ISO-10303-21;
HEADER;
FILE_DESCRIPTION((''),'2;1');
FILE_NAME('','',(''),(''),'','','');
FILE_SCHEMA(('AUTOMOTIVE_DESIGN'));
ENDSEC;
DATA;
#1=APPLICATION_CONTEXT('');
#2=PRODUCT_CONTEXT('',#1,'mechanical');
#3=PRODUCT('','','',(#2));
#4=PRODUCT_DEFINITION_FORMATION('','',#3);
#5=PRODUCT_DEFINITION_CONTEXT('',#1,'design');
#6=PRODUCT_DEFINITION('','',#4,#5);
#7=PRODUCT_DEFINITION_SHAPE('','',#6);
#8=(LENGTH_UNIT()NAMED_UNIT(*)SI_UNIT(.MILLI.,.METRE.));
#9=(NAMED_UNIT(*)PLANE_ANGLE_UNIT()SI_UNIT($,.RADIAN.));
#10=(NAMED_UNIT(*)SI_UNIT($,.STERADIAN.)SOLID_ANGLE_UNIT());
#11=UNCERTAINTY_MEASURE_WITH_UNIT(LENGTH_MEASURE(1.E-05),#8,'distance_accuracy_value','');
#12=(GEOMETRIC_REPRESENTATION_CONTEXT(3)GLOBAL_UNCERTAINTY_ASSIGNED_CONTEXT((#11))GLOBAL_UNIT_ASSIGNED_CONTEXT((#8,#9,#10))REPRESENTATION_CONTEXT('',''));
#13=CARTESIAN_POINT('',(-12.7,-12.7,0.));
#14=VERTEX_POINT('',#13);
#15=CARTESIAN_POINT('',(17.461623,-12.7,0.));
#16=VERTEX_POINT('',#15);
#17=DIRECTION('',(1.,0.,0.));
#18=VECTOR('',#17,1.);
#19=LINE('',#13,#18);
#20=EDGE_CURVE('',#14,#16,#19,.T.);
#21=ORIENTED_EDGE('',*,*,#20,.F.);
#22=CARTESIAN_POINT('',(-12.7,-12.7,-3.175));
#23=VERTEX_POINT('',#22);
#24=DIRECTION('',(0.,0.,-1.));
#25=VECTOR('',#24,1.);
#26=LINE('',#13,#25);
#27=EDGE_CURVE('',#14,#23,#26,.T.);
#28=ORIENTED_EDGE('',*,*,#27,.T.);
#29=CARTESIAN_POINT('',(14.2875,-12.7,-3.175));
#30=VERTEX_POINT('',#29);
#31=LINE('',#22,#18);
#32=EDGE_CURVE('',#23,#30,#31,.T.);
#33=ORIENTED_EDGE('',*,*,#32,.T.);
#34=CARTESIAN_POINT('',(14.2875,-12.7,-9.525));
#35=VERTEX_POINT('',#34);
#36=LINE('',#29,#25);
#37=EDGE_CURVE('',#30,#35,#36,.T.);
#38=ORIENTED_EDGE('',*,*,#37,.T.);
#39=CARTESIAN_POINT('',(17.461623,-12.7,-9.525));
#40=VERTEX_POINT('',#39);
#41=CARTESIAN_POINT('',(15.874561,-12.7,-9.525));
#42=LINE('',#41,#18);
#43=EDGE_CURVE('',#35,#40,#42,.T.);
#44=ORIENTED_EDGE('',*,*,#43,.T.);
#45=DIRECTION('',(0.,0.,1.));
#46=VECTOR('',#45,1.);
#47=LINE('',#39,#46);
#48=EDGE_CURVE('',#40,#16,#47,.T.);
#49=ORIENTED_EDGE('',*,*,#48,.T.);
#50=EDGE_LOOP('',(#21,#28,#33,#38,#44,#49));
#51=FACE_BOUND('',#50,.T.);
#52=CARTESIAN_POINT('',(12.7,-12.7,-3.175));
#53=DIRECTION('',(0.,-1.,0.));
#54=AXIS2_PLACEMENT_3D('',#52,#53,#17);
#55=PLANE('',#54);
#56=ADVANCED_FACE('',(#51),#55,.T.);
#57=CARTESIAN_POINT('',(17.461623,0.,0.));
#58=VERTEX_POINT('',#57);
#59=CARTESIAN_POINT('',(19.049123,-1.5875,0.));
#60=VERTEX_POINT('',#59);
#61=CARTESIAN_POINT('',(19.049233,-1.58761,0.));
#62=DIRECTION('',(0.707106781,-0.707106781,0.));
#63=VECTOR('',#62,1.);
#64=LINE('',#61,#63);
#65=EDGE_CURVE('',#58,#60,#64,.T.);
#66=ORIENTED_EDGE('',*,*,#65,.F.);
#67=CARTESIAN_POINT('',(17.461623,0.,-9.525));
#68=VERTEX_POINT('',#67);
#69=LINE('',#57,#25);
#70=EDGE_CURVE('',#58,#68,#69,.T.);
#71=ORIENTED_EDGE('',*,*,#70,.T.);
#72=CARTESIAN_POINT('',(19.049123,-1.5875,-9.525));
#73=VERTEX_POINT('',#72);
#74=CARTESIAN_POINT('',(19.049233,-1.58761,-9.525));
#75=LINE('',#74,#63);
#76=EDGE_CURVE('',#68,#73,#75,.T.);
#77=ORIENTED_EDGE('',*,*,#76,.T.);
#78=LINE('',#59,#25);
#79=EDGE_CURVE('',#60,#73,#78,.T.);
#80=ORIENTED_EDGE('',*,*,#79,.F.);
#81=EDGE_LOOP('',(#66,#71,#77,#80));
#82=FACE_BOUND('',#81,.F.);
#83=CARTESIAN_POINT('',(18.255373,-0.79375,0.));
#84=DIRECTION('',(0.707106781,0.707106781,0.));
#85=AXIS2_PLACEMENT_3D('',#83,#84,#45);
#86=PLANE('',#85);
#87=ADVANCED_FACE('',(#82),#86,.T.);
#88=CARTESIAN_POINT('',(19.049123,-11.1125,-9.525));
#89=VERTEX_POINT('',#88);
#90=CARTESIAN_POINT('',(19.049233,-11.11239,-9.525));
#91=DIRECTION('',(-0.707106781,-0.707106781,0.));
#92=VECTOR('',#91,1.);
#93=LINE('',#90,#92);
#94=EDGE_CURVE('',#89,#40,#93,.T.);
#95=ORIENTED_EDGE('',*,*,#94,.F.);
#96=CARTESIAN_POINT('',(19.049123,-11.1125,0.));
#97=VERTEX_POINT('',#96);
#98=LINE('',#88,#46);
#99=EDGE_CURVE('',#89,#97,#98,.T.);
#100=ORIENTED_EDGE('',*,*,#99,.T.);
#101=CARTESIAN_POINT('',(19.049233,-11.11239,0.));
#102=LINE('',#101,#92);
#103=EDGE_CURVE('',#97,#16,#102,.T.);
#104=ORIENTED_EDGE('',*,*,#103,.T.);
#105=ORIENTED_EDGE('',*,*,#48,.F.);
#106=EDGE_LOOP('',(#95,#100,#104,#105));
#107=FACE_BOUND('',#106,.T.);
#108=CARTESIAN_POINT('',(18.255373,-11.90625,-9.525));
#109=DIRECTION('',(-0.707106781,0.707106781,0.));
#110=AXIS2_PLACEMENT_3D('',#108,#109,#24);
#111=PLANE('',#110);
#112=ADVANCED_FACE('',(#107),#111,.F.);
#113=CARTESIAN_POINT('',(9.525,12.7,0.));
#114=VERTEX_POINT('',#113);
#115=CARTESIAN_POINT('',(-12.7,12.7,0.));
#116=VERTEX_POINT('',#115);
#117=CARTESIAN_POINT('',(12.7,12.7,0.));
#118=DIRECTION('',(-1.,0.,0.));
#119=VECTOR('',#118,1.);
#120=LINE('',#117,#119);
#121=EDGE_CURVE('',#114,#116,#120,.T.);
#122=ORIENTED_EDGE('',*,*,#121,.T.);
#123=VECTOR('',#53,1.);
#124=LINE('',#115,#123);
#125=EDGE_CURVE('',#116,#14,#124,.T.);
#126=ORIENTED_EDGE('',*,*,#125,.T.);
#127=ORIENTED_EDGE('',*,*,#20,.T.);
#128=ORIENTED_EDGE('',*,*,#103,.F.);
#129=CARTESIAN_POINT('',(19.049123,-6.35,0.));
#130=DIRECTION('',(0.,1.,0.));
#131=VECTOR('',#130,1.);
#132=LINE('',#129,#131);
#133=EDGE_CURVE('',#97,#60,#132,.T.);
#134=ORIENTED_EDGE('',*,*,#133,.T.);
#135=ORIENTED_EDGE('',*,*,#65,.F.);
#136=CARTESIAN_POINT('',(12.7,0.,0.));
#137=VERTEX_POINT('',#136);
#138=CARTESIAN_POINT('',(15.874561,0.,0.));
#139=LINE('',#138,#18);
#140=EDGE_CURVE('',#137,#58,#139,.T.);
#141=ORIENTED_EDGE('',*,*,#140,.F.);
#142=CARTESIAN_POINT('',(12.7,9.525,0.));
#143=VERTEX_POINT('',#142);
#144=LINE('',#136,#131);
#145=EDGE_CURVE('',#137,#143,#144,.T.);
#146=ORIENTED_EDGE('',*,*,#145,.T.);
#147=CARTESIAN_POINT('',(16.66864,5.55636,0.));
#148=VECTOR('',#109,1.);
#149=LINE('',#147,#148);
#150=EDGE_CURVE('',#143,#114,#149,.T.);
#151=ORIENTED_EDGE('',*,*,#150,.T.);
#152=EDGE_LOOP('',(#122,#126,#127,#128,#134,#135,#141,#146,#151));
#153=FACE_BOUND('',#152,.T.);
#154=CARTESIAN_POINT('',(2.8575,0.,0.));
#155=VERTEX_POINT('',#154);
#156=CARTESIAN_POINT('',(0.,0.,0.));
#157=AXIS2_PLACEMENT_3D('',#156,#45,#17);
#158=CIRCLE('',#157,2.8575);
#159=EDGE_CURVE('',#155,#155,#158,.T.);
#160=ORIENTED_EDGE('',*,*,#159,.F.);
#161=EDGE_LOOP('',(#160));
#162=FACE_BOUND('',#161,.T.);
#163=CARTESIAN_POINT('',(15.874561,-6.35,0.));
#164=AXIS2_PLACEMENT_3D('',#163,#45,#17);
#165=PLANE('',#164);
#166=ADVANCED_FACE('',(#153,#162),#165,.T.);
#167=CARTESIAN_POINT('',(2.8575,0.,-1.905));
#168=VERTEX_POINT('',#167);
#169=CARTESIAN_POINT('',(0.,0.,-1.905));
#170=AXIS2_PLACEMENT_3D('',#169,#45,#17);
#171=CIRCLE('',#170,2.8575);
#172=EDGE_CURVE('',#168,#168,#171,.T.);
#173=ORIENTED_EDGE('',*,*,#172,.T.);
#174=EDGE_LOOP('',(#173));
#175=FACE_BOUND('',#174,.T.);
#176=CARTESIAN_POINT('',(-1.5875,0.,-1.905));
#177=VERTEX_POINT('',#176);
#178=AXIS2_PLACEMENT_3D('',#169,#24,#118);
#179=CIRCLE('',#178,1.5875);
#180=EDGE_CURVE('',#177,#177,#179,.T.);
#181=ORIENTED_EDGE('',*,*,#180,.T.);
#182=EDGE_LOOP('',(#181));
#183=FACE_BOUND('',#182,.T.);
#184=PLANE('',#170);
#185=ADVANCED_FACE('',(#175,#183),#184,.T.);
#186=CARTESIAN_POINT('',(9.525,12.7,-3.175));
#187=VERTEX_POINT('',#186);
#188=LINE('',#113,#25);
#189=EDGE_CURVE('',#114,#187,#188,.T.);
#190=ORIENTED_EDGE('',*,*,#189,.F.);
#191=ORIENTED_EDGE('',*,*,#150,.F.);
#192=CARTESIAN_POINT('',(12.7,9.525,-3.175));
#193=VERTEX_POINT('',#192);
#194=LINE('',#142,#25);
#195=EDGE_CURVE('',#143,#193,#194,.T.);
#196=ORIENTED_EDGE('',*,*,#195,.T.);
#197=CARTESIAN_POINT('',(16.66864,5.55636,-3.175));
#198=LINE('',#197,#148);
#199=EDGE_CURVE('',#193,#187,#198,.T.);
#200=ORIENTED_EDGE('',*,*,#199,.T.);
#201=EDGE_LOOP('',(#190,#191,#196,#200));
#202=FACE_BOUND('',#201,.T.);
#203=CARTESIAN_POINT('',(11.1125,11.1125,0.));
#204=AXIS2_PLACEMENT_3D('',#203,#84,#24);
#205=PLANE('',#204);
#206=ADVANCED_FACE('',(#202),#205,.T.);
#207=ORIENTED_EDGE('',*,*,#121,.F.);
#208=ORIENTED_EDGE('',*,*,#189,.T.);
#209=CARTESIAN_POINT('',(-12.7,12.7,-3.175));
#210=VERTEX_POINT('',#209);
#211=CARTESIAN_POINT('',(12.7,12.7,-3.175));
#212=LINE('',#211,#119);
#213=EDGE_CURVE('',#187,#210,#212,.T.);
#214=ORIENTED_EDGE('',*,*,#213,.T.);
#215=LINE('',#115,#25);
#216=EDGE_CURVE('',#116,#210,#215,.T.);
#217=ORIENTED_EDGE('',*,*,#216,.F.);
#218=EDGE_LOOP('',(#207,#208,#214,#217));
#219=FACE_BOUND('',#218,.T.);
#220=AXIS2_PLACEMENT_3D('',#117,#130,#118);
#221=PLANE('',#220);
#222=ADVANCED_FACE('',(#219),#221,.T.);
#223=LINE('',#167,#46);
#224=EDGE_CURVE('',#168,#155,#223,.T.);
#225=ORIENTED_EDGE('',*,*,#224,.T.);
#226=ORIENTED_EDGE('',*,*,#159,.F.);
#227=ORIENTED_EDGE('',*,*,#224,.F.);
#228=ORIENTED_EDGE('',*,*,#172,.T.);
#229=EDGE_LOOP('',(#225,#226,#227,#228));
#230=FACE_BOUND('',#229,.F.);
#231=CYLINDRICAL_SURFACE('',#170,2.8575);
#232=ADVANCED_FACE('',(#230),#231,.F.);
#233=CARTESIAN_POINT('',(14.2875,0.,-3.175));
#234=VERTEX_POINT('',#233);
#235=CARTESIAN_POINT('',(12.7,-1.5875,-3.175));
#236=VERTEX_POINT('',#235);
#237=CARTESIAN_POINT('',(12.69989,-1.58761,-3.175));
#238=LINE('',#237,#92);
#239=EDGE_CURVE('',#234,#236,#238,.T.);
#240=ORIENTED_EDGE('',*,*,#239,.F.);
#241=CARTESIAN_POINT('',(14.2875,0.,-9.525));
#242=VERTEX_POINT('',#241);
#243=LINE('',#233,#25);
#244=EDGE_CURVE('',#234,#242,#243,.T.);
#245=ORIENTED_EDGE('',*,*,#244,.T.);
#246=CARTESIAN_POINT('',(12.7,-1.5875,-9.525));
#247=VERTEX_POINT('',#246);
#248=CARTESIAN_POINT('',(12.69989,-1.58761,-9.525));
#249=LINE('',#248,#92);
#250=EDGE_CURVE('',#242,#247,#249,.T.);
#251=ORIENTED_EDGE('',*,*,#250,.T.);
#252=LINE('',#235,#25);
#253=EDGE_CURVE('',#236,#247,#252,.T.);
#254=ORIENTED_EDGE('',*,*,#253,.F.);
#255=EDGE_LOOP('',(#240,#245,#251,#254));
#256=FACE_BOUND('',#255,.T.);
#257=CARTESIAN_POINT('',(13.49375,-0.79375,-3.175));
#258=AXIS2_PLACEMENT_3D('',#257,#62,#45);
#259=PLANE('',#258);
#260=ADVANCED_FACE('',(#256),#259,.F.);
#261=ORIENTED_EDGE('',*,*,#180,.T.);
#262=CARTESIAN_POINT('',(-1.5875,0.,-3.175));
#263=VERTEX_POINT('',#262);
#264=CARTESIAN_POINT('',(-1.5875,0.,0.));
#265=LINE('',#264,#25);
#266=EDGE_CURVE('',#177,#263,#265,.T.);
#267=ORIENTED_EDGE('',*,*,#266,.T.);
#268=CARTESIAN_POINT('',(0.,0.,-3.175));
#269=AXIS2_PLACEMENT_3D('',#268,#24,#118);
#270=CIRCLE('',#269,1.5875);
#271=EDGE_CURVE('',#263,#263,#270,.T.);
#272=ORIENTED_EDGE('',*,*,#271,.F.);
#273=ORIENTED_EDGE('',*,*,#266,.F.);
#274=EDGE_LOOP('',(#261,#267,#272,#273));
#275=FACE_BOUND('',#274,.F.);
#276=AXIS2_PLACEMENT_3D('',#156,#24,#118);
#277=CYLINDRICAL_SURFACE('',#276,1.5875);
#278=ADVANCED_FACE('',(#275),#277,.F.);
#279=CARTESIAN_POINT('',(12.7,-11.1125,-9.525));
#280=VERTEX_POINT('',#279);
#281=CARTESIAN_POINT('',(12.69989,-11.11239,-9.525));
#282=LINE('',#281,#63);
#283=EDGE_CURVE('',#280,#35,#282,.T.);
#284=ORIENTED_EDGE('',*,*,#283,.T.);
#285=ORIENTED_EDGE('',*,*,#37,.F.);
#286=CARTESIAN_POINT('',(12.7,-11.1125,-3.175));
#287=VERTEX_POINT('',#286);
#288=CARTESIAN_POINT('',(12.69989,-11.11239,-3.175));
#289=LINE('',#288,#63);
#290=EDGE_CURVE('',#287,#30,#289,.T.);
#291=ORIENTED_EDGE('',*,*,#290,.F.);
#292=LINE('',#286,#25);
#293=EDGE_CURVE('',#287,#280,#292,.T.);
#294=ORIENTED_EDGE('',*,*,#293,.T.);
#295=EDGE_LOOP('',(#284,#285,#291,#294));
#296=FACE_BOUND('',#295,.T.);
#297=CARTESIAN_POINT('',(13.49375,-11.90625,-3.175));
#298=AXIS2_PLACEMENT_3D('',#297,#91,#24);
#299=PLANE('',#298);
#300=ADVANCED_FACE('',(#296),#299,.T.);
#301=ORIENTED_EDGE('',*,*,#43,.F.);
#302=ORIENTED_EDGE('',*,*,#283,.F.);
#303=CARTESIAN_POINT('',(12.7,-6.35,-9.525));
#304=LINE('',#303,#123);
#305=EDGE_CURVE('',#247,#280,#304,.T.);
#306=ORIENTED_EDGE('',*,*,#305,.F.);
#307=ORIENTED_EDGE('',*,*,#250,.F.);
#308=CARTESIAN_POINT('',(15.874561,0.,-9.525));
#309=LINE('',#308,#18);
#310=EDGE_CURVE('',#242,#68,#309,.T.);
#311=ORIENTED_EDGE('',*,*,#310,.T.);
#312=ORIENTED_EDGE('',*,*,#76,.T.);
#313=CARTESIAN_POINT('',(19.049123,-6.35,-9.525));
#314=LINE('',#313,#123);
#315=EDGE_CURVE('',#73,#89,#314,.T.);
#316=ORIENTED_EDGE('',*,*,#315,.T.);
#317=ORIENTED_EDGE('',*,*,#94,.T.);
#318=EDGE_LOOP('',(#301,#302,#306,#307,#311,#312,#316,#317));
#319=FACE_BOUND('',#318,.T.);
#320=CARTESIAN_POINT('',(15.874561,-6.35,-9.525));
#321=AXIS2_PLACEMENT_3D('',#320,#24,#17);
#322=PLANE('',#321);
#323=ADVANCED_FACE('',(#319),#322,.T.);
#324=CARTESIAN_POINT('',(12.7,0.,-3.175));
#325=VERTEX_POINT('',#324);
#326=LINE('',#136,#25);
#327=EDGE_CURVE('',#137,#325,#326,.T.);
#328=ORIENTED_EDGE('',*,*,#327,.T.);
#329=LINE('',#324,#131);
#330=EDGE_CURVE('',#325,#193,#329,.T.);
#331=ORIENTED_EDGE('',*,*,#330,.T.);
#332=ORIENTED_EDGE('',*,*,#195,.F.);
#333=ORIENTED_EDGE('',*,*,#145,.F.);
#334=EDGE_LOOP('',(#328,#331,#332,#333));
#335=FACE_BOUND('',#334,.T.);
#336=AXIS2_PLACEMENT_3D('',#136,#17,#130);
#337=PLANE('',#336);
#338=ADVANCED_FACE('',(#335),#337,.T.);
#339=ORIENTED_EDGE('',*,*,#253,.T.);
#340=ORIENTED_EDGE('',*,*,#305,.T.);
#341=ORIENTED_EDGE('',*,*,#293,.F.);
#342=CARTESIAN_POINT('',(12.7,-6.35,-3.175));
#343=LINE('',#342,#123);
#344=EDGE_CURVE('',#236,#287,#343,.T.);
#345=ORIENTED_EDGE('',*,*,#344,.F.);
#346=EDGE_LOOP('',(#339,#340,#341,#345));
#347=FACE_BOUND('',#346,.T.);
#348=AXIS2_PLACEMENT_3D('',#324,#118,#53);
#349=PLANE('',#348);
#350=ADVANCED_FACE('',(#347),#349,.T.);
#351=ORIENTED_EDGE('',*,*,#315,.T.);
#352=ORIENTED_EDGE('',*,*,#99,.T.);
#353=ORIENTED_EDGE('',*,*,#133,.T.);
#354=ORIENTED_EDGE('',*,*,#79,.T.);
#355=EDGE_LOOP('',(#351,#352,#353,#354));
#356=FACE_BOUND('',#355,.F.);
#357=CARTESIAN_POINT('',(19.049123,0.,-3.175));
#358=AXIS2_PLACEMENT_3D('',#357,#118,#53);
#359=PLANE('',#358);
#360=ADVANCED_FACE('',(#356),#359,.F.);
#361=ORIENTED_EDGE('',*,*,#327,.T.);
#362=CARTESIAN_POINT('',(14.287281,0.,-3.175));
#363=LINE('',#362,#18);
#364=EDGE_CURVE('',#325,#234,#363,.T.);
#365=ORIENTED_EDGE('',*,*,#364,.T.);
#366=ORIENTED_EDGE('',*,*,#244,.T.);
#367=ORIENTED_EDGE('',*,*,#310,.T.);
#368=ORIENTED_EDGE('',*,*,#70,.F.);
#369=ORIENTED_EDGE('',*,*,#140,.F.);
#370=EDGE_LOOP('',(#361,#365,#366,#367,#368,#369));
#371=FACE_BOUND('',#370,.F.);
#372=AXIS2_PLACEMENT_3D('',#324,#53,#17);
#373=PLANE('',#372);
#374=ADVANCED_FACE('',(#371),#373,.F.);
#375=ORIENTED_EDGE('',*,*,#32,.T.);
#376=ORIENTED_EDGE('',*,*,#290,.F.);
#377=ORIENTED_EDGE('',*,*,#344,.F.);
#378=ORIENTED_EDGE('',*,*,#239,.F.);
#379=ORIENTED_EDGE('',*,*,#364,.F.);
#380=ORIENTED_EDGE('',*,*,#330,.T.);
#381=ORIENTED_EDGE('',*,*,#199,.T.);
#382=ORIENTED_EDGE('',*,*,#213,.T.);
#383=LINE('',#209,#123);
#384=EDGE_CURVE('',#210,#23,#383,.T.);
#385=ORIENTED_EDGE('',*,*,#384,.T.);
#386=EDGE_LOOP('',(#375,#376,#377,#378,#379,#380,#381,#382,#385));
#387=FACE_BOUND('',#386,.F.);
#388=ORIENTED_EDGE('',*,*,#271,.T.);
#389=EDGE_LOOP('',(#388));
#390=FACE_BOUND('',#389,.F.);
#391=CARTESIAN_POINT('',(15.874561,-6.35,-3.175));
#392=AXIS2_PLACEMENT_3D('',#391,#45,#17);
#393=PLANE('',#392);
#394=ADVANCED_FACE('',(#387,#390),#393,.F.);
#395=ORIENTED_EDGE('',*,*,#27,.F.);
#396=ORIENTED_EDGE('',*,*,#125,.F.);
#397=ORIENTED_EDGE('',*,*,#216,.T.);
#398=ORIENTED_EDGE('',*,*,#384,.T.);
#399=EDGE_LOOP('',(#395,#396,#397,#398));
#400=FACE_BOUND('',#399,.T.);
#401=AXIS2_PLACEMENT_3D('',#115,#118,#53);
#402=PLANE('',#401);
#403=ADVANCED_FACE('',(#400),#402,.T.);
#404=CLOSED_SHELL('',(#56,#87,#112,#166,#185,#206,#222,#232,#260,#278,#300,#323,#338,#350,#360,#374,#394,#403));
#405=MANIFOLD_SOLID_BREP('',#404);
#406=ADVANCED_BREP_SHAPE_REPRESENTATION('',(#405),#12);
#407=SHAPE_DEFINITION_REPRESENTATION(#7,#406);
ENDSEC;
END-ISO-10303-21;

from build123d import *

# Parameters (mm, degrees)
F0_W           = 6.3491229296
F0_H           = 12.7
F1_DEPTH       = 3.175
F2_W           = 6.3491229296
F2_H           = 12.7
F3_DEPTH       = 6.35
F5_D           = 3.175
F5_CBORE_D     = 5.715
F5_CBORE_DEPTH = 1.905
F6_SIZE        = 3.175
F7_SIZE        = 1.5875
F8_SIZE        = 1.5875
F9_SIZE        = 1.5875
F10_SIZE       = 1.5875


with BuildPart() as f1:
    # F0 (on Top) → F1 (new body)
    with BuildSketch(Plane.XY):
        with Locations((15.8745614648, -6.35)):
            Rectangle(F0_W, F0_H)
        Polygon((12.7, 0), (12.7, 12.7), (-12.7, 12.7), (-12.7, -12.7), (12.7, -12.7), align=None)
    extrude(amount=-F1_DEPTH)

    # F2 (on face) → F3 (join)
    with BuildSketch(Plane(origin=(0, 0, -3.175), x_dir=(1, 0, 0), z_dir=(0, 0, -1))):
        with Locations((15.8745614648, 6.35)):
            Rectangle(F2_W, F2_H)
    extrude(amount=F3_DEPTH)

    # F5 (through all)
    with Locations(Plane.XY):
        with Locations((0, 0)):
            CounterBoreHole(F5_D / 2, F5_CBORE_D / 2, F5_CBORE_DEPTH)

    # F6
    f6_edges = [f1.edges().sort_by_distance(p)[0] for p in [
        (12.7, 12.7, -1.5875),
    ]]
    chamfer(f6_edges, length=F6_SIZE)

    # F7
    f7_edges = [f1.edges().sort_by_distance(p)[0] for p in [
        (19.049123, 0, -4.7625),
    ]]
    chamfer(f7_edges, length=F7_SIZE)

    # F8
    f8_edges = [f1.edges().sort_by_distance(p)[0] for p in [
        (19.049123, -12.7, -4.7625),
    ]]
    chamfer(f8_edges, length=F8_SIZE)

    # F9
    f9_edges = [f1.edges().sort_by_distance(p)[0] for p in [
        (12.7, 0, -6.35),
    ]]
    chamfer(f9_edges, length=F9_SIZE)

    # F10
    f10_edges = [f1.edges().sort_by_distance(p)[0] for p in [
        (12.7, -12.7, -6.35),
    ]]
    chamfer(f10_edges, length=F10_SIZE)


solid = f1.part
